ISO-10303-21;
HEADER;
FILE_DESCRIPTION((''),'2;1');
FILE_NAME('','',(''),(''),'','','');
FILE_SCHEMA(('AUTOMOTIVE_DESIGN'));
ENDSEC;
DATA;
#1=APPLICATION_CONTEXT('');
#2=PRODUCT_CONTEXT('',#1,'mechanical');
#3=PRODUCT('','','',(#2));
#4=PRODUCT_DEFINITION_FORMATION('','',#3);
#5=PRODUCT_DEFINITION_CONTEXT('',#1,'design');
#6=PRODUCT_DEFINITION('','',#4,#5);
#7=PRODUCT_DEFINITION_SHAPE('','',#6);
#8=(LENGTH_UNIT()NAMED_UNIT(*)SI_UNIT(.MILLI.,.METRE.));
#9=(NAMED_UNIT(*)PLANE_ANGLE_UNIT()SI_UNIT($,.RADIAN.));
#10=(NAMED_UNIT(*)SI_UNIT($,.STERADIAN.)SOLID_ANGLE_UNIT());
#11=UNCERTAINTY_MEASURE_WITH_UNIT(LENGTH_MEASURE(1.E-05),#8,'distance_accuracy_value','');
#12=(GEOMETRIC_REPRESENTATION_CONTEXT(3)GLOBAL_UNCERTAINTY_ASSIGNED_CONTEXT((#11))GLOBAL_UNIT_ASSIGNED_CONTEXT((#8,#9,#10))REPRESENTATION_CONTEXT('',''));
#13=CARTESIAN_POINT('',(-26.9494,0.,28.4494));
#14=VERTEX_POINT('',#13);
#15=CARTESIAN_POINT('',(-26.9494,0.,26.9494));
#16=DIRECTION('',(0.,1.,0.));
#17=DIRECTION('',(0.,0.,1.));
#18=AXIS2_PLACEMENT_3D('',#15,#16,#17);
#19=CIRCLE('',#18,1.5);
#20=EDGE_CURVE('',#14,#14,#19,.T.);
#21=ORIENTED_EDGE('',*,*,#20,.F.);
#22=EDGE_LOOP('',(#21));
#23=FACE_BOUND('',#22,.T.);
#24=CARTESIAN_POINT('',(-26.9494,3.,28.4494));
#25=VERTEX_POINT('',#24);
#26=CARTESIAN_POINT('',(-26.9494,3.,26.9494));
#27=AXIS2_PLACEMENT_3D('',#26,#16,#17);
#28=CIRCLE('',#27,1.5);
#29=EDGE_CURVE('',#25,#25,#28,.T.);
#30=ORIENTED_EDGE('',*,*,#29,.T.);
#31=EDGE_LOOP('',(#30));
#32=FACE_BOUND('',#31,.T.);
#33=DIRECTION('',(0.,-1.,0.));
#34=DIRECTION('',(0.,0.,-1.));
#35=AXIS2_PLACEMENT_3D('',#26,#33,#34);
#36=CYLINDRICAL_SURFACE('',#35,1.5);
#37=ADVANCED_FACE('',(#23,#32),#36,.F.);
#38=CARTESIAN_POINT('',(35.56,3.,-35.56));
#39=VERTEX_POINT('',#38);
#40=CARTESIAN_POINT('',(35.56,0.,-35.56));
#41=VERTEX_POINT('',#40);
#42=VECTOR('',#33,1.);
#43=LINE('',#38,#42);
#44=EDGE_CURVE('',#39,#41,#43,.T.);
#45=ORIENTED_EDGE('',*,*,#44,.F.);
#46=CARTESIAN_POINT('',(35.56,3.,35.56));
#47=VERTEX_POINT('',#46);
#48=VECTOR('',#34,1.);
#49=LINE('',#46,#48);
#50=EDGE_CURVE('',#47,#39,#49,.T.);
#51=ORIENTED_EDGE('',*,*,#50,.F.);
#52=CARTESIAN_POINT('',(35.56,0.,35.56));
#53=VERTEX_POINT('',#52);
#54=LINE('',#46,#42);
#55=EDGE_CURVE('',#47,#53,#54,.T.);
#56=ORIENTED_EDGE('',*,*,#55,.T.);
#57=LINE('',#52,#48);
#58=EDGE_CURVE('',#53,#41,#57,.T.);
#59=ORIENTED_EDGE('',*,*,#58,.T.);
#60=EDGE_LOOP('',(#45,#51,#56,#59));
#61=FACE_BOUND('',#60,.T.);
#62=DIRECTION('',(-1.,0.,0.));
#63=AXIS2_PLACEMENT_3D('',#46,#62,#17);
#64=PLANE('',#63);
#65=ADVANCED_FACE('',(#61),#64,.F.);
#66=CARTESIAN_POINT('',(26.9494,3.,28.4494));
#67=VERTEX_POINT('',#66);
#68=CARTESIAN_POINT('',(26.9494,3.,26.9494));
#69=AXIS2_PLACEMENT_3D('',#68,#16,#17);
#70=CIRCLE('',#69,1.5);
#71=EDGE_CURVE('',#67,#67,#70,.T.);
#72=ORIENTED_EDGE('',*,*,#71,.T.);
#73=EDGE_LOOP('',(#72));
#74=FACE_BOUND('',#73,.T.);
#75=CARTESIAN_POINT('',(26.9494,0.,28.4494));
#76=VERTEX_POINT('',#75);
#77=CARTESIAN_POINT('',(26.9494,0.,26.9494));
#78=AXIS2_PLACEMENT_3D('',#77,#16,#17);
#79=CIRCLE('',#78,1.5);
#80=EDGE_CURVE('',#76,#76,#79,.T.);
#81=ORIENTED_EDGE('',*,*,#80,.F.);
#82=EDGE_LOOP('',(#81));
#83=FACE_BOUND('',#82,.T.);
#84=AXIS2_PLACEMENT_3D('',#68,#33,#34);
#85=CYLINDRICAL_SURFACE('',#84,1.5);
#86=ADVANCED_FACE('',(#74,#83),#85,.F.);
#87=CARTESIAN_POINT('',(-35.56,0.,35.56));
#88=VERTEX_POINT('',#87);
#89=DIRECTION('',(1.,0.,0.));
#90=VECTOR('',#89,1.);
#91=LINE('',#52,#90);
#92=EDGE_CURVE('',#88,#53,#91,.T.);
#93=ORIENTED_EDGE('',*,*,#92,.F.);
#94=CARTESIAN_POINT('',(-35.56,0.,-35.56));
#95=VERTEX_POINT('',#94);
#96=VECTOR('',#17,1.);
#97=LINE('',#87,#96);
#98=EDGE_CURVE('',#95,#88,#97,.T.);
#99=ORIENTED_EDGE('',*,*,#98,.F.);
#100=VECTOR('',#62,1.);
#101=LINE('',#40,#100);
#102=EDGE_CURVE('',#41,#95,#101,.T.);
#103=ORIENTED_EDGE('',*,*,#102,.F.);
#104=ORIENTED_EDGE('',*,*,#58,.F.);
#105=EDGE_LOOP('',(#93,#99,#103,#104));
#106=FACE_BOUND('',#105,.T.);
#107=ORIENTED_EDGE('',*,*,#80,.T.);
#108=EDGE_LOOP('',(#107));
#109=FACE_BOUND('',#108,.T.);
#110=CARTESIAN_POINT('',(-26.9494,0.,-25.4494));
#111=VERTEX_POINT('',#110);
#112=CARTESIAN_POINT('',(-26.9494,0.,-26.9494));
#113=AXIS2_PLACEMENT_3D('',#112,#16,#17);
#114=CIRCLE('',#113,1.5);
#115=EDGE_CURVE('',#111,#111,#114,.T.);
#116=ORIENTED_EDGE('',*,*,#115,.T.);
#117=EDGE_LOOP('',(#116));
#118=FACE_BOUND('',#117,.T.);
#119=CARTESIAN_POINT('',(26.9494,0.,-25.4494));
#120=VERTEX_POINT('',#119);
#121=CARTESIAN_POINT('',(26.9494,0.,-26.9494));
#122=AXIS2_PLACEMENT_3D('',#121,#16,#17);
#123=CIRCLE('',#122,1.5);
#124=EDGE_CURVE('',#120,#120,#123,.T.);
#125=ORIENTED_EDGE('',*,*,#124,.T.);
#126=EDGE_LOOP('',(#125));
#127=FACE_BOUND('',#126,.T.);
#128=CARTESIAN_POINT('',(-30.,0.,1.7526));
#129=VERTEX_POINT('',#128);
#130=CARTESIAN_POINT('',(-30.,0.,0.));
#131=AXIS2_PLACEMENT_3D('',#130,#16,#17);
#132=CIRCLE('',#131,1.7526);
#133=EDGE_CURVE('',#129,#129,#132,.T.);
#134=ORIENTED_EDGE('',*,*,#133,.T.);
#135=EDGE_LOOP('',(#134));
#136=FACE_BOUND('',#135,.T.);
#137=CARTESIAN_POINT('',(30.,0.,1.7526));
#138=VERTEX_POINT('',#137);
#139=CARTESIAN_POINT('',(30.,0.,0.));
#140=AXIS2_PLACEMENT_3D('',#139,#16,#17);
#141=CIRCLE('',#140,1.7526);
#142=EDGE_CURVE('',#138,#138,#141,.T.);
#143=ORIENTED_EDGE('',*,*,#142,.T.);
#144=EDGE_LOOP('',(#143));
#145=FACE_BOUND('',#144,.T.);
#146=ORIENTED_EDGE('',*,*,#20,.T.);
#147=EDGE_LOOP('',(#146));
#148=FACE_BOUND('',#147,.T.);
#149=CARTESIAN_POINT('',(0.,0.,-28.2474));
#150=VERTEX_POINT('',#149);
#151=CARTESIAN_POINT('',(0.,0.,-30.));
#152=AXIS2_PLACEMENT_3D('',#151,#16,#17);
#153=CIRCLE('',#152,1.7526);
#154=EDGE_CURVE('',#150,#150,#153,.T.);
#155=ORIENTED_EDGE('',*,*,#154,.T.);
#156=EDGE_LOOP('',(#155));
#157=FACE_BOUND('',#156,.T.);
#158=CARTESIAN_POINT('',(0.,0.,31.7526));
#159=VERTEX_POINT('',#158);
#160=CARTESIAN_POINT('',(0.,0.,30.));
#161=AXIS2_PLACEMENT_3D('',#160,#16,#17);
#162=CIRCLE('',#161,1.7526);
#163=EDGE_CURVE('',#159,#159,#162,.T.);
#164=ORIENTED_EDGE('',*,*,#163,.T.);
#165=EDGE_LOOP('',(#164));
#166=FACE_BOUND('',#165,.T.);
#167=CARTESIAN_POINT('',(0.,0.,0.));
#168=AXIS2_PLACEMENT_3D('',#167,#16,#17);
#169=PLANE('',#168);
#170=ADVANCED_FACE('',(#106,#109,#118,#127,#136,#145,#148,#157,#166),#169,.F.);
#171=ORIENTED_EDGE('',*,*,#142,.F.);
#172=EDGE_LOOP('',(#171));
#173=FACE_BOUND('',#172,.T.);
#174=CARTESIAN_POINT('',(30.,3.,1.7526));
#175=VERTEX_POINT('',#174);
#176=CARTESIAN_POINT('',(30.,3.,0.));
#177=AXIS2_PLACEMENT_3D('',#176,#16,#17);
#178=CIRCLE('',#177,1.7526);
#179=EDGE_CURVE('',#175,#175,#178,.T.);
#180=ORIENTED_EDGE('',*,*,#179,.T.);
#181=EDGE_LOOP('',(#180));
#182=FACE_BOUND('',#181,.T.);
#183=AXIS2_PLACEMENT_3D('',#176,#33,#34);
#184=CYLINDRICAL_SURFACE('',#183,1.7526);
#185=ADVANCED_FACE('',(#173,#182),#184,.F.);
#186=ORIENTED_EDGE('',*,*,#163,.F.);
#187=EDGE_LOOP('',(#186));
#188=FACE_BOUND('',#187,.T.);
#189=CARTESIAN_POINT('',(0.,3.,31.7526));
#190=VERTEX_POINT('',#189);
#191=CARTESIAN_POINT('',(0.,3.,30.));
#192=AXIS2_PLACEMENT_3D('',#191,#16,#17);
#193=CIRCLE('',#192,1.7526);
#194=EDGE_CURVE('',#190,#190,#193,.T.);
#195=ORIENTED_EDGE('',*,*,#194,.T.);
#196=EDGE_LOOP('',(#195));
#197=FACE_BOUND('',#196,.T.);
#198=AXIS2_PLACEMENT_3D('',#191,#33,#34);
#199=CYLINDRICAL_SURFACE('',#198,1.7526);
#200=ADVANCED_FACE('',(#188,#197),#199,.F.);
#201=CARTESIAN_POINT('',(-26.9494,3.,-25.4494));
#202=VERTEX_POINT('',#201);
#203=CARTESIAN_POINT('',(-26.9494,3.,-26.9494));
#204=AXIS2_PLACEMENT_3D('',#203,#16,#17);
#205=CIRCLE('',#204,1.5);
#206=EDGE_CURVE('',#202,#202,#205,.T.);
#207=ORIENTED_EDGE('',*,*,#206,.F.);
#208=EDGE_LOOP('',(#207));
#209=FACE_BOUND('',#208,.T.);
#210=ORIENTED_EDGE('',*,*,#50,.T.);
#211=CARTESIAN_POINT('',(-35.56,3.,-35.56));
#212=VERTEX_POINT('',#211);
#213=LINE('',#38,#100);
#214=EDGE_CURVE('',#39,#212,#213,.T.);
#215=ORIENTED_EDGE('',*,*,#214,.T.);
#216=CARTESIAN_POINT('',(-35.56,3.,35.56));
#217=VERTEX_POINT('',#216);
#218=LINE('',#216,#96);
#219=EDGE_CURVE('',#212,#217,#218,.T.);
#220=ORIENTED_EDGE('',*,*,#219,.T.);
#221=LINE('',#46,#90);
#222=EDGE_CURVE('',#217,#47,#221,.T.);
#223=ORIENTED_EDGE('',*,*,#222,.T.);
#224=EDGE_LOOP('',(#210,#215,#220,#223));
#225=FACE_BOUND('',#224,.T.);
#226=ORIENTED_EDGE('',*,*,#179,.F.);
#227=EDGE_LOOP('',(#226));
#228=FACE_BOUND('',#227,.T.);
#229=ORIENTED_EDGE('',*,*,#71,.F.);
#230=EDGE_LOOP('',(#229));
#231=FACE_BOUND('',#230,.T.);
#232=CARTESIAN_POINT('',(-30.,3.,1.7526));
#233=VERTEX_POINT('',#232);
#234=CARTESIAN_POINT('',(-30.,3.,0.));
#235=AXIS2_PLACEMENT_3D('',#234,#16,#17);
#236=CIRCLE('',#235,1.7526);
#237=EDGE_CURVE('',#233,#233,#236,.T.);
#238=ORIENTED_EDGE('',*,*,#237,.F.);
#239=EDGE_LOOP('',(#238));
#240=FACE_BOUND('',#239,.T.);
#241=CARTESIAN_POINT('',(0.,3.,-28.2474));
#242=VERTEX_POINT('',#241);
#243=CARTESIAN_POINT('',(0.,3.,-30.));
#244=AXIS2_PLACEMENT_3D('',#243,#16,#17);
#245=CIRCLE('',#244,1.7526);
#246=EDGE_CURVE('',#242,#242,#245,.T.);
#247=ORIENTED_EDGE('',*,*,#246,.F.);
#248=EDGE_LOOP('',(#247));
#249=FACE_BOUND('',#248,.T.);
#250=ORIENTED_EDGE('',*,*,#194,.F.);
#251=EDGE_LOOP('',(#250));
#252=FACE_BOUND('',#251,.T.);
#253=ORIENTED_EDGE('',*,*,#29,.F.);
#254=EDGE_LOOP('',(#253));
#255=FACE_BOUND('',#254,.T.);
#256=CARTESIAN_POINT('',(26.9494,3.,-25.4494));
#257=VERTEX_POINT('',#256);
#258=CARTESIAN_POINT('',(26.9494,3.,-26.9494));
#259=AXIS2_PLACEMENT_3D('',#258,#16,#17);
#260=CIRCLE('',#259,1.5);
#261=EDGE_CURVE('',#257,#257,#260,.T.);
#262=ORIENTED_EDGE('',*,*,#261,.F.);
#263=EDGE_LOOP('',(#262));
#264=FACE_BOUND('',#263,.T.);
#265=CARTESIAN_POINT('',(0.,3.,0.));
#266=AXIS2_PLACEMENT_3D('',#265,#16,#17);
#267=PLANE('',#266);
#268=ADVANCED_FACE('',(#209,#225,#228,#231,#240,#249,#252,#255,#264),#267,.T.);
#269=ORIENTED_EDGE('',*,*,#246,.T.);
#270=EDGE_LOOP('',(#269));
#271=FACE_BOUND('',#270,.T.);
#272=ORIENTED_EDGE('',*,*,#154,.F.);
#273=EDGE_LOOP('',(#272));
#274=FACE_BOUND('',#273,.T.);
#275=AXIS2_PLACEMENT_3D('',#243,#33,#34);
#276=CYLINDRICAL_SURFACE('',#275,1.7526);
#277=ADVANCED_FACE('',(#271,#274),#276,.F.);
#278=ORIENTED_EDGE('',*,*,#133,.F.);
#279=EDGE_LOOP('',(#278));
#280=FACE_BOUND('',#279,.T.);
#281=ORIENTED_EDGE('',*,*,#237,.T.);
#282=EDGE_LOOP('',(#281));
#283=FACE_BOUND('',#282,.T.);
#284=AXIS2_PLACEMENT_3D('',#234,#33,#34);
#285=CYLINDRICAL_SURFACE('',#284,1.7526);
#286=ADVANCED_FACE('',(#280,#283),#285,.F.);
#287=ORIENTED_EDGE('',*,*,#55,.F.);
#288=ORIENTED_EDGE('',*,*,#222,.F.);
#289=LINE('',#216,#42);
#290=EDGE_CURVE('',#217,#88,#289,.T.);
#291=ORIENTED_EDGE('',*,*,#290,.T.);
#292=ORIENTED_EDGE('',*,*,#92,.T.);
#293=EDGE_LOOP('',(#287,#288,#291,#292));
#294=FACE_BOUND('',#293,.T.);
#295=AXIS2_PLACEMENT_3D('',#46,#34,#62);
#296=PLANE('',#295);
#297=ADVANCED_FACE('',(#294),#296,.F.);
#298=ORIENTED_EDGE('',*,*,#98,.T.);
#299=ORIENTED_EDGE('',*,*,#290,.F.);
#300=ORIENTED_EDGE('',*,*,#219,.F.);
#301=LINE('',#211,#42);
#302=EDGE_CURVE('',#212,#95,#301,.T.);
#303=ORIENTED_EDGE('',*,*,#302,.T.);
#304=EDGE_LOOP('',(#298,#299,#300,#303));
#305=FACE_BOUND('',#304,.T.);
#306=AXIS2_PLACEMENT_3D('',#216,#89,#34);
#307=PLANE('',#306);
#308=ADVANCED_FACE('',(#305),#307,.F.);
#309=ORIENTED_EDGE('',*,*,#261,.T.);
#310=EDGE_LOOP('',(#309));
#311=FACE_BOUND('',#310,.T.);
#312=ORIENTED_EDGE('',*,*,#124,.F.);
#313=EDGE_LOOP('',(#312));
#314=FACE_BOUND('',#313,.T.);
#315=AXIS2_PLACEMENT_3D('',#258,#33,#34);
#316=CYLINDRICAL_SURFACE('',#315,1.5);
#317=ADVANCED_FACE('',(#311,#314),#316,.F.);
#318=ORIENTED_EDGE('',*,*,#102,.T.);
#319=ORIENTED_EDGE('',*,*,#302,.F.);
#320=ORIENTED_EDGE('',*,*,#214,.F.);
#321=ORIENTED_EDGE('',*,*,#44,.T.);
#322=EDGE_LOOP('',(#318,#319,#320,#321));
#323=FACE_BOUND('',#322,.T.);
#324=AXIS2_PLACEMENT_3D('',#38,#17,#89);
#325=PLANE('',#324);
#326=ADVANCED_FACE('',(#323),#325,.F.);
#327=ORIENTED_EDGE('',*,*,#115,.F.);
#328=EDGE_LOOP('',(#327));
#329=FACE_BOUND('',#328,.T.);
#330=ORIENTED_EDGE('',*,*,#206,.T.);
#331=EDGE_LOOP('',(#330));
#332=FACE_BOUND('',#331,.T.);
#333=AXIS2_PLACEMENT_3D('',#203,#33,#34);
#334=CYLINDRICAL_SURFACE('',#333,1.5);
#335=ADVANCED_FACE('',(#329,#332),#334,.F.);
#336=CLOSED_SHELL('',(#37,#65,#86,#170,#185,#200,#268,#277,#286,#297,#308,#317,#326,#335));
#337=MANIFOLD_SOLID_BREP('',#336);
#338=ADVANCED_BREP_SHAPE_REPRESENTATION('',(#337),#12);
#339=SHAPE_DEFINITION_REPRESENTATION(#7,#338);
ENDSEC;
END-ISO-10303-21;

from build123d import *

# Parameters (mm, degrees)
SKETCH2_W           = 71.12
SKETCH2_H           = 71.12
SKETCH2_R           = 1.7526
SKETCH2_R_2         = 1.500000048
BOSS_EXTRUDE1_DEPTH = 3


with BuildPart() as part:
    # Sketch2 → Boss-Extrude1 (new body)
    with BuildSketch(Plane(origin=(0, 0, 0), x_dir=(1, 0, 0), z_dir=(0, 1, 0))):
        Rectangle(SKETCH2_W, SKETCH2_H)
        with Locations((0, 30)):
            Circle(SKETCH2_R, mode=Mode.SUBTRACT)
        with Locations((-30, 0)):
            Circle(SKETCH2_R, mode=Mode.SUBTRACT)
        with Locations((30, 0)):
            Circle(SKETCH2_R, mode=Mode.SUBTRACT)
        with Locations((0, -30)):
            Circle(SKETCH2_R, mode=Mode.SUBTRACT)
        with Locations((26.9494, 26.9494)):
            Circle(SKETCH2_R_2, mode=Mode.SUBTRACT)
        with Locations((-26.9494, 26.9494)):
            Circle(SKETCH2_R_2, mode=Mode.SUBTRACT)
        with Locations((26.9494, -26.9494)):
            Circle(SKETCH2_R_2, mode=Mode.SUBTRACT)
        with Locations((-26.9494, -26.9494)):
            Circle(SKETCH2_R_2, mode=Mode.SUBTRACT)
    extrude(amount=BOSS_EXTRUDE1_DEPTH)


solid = part.part
